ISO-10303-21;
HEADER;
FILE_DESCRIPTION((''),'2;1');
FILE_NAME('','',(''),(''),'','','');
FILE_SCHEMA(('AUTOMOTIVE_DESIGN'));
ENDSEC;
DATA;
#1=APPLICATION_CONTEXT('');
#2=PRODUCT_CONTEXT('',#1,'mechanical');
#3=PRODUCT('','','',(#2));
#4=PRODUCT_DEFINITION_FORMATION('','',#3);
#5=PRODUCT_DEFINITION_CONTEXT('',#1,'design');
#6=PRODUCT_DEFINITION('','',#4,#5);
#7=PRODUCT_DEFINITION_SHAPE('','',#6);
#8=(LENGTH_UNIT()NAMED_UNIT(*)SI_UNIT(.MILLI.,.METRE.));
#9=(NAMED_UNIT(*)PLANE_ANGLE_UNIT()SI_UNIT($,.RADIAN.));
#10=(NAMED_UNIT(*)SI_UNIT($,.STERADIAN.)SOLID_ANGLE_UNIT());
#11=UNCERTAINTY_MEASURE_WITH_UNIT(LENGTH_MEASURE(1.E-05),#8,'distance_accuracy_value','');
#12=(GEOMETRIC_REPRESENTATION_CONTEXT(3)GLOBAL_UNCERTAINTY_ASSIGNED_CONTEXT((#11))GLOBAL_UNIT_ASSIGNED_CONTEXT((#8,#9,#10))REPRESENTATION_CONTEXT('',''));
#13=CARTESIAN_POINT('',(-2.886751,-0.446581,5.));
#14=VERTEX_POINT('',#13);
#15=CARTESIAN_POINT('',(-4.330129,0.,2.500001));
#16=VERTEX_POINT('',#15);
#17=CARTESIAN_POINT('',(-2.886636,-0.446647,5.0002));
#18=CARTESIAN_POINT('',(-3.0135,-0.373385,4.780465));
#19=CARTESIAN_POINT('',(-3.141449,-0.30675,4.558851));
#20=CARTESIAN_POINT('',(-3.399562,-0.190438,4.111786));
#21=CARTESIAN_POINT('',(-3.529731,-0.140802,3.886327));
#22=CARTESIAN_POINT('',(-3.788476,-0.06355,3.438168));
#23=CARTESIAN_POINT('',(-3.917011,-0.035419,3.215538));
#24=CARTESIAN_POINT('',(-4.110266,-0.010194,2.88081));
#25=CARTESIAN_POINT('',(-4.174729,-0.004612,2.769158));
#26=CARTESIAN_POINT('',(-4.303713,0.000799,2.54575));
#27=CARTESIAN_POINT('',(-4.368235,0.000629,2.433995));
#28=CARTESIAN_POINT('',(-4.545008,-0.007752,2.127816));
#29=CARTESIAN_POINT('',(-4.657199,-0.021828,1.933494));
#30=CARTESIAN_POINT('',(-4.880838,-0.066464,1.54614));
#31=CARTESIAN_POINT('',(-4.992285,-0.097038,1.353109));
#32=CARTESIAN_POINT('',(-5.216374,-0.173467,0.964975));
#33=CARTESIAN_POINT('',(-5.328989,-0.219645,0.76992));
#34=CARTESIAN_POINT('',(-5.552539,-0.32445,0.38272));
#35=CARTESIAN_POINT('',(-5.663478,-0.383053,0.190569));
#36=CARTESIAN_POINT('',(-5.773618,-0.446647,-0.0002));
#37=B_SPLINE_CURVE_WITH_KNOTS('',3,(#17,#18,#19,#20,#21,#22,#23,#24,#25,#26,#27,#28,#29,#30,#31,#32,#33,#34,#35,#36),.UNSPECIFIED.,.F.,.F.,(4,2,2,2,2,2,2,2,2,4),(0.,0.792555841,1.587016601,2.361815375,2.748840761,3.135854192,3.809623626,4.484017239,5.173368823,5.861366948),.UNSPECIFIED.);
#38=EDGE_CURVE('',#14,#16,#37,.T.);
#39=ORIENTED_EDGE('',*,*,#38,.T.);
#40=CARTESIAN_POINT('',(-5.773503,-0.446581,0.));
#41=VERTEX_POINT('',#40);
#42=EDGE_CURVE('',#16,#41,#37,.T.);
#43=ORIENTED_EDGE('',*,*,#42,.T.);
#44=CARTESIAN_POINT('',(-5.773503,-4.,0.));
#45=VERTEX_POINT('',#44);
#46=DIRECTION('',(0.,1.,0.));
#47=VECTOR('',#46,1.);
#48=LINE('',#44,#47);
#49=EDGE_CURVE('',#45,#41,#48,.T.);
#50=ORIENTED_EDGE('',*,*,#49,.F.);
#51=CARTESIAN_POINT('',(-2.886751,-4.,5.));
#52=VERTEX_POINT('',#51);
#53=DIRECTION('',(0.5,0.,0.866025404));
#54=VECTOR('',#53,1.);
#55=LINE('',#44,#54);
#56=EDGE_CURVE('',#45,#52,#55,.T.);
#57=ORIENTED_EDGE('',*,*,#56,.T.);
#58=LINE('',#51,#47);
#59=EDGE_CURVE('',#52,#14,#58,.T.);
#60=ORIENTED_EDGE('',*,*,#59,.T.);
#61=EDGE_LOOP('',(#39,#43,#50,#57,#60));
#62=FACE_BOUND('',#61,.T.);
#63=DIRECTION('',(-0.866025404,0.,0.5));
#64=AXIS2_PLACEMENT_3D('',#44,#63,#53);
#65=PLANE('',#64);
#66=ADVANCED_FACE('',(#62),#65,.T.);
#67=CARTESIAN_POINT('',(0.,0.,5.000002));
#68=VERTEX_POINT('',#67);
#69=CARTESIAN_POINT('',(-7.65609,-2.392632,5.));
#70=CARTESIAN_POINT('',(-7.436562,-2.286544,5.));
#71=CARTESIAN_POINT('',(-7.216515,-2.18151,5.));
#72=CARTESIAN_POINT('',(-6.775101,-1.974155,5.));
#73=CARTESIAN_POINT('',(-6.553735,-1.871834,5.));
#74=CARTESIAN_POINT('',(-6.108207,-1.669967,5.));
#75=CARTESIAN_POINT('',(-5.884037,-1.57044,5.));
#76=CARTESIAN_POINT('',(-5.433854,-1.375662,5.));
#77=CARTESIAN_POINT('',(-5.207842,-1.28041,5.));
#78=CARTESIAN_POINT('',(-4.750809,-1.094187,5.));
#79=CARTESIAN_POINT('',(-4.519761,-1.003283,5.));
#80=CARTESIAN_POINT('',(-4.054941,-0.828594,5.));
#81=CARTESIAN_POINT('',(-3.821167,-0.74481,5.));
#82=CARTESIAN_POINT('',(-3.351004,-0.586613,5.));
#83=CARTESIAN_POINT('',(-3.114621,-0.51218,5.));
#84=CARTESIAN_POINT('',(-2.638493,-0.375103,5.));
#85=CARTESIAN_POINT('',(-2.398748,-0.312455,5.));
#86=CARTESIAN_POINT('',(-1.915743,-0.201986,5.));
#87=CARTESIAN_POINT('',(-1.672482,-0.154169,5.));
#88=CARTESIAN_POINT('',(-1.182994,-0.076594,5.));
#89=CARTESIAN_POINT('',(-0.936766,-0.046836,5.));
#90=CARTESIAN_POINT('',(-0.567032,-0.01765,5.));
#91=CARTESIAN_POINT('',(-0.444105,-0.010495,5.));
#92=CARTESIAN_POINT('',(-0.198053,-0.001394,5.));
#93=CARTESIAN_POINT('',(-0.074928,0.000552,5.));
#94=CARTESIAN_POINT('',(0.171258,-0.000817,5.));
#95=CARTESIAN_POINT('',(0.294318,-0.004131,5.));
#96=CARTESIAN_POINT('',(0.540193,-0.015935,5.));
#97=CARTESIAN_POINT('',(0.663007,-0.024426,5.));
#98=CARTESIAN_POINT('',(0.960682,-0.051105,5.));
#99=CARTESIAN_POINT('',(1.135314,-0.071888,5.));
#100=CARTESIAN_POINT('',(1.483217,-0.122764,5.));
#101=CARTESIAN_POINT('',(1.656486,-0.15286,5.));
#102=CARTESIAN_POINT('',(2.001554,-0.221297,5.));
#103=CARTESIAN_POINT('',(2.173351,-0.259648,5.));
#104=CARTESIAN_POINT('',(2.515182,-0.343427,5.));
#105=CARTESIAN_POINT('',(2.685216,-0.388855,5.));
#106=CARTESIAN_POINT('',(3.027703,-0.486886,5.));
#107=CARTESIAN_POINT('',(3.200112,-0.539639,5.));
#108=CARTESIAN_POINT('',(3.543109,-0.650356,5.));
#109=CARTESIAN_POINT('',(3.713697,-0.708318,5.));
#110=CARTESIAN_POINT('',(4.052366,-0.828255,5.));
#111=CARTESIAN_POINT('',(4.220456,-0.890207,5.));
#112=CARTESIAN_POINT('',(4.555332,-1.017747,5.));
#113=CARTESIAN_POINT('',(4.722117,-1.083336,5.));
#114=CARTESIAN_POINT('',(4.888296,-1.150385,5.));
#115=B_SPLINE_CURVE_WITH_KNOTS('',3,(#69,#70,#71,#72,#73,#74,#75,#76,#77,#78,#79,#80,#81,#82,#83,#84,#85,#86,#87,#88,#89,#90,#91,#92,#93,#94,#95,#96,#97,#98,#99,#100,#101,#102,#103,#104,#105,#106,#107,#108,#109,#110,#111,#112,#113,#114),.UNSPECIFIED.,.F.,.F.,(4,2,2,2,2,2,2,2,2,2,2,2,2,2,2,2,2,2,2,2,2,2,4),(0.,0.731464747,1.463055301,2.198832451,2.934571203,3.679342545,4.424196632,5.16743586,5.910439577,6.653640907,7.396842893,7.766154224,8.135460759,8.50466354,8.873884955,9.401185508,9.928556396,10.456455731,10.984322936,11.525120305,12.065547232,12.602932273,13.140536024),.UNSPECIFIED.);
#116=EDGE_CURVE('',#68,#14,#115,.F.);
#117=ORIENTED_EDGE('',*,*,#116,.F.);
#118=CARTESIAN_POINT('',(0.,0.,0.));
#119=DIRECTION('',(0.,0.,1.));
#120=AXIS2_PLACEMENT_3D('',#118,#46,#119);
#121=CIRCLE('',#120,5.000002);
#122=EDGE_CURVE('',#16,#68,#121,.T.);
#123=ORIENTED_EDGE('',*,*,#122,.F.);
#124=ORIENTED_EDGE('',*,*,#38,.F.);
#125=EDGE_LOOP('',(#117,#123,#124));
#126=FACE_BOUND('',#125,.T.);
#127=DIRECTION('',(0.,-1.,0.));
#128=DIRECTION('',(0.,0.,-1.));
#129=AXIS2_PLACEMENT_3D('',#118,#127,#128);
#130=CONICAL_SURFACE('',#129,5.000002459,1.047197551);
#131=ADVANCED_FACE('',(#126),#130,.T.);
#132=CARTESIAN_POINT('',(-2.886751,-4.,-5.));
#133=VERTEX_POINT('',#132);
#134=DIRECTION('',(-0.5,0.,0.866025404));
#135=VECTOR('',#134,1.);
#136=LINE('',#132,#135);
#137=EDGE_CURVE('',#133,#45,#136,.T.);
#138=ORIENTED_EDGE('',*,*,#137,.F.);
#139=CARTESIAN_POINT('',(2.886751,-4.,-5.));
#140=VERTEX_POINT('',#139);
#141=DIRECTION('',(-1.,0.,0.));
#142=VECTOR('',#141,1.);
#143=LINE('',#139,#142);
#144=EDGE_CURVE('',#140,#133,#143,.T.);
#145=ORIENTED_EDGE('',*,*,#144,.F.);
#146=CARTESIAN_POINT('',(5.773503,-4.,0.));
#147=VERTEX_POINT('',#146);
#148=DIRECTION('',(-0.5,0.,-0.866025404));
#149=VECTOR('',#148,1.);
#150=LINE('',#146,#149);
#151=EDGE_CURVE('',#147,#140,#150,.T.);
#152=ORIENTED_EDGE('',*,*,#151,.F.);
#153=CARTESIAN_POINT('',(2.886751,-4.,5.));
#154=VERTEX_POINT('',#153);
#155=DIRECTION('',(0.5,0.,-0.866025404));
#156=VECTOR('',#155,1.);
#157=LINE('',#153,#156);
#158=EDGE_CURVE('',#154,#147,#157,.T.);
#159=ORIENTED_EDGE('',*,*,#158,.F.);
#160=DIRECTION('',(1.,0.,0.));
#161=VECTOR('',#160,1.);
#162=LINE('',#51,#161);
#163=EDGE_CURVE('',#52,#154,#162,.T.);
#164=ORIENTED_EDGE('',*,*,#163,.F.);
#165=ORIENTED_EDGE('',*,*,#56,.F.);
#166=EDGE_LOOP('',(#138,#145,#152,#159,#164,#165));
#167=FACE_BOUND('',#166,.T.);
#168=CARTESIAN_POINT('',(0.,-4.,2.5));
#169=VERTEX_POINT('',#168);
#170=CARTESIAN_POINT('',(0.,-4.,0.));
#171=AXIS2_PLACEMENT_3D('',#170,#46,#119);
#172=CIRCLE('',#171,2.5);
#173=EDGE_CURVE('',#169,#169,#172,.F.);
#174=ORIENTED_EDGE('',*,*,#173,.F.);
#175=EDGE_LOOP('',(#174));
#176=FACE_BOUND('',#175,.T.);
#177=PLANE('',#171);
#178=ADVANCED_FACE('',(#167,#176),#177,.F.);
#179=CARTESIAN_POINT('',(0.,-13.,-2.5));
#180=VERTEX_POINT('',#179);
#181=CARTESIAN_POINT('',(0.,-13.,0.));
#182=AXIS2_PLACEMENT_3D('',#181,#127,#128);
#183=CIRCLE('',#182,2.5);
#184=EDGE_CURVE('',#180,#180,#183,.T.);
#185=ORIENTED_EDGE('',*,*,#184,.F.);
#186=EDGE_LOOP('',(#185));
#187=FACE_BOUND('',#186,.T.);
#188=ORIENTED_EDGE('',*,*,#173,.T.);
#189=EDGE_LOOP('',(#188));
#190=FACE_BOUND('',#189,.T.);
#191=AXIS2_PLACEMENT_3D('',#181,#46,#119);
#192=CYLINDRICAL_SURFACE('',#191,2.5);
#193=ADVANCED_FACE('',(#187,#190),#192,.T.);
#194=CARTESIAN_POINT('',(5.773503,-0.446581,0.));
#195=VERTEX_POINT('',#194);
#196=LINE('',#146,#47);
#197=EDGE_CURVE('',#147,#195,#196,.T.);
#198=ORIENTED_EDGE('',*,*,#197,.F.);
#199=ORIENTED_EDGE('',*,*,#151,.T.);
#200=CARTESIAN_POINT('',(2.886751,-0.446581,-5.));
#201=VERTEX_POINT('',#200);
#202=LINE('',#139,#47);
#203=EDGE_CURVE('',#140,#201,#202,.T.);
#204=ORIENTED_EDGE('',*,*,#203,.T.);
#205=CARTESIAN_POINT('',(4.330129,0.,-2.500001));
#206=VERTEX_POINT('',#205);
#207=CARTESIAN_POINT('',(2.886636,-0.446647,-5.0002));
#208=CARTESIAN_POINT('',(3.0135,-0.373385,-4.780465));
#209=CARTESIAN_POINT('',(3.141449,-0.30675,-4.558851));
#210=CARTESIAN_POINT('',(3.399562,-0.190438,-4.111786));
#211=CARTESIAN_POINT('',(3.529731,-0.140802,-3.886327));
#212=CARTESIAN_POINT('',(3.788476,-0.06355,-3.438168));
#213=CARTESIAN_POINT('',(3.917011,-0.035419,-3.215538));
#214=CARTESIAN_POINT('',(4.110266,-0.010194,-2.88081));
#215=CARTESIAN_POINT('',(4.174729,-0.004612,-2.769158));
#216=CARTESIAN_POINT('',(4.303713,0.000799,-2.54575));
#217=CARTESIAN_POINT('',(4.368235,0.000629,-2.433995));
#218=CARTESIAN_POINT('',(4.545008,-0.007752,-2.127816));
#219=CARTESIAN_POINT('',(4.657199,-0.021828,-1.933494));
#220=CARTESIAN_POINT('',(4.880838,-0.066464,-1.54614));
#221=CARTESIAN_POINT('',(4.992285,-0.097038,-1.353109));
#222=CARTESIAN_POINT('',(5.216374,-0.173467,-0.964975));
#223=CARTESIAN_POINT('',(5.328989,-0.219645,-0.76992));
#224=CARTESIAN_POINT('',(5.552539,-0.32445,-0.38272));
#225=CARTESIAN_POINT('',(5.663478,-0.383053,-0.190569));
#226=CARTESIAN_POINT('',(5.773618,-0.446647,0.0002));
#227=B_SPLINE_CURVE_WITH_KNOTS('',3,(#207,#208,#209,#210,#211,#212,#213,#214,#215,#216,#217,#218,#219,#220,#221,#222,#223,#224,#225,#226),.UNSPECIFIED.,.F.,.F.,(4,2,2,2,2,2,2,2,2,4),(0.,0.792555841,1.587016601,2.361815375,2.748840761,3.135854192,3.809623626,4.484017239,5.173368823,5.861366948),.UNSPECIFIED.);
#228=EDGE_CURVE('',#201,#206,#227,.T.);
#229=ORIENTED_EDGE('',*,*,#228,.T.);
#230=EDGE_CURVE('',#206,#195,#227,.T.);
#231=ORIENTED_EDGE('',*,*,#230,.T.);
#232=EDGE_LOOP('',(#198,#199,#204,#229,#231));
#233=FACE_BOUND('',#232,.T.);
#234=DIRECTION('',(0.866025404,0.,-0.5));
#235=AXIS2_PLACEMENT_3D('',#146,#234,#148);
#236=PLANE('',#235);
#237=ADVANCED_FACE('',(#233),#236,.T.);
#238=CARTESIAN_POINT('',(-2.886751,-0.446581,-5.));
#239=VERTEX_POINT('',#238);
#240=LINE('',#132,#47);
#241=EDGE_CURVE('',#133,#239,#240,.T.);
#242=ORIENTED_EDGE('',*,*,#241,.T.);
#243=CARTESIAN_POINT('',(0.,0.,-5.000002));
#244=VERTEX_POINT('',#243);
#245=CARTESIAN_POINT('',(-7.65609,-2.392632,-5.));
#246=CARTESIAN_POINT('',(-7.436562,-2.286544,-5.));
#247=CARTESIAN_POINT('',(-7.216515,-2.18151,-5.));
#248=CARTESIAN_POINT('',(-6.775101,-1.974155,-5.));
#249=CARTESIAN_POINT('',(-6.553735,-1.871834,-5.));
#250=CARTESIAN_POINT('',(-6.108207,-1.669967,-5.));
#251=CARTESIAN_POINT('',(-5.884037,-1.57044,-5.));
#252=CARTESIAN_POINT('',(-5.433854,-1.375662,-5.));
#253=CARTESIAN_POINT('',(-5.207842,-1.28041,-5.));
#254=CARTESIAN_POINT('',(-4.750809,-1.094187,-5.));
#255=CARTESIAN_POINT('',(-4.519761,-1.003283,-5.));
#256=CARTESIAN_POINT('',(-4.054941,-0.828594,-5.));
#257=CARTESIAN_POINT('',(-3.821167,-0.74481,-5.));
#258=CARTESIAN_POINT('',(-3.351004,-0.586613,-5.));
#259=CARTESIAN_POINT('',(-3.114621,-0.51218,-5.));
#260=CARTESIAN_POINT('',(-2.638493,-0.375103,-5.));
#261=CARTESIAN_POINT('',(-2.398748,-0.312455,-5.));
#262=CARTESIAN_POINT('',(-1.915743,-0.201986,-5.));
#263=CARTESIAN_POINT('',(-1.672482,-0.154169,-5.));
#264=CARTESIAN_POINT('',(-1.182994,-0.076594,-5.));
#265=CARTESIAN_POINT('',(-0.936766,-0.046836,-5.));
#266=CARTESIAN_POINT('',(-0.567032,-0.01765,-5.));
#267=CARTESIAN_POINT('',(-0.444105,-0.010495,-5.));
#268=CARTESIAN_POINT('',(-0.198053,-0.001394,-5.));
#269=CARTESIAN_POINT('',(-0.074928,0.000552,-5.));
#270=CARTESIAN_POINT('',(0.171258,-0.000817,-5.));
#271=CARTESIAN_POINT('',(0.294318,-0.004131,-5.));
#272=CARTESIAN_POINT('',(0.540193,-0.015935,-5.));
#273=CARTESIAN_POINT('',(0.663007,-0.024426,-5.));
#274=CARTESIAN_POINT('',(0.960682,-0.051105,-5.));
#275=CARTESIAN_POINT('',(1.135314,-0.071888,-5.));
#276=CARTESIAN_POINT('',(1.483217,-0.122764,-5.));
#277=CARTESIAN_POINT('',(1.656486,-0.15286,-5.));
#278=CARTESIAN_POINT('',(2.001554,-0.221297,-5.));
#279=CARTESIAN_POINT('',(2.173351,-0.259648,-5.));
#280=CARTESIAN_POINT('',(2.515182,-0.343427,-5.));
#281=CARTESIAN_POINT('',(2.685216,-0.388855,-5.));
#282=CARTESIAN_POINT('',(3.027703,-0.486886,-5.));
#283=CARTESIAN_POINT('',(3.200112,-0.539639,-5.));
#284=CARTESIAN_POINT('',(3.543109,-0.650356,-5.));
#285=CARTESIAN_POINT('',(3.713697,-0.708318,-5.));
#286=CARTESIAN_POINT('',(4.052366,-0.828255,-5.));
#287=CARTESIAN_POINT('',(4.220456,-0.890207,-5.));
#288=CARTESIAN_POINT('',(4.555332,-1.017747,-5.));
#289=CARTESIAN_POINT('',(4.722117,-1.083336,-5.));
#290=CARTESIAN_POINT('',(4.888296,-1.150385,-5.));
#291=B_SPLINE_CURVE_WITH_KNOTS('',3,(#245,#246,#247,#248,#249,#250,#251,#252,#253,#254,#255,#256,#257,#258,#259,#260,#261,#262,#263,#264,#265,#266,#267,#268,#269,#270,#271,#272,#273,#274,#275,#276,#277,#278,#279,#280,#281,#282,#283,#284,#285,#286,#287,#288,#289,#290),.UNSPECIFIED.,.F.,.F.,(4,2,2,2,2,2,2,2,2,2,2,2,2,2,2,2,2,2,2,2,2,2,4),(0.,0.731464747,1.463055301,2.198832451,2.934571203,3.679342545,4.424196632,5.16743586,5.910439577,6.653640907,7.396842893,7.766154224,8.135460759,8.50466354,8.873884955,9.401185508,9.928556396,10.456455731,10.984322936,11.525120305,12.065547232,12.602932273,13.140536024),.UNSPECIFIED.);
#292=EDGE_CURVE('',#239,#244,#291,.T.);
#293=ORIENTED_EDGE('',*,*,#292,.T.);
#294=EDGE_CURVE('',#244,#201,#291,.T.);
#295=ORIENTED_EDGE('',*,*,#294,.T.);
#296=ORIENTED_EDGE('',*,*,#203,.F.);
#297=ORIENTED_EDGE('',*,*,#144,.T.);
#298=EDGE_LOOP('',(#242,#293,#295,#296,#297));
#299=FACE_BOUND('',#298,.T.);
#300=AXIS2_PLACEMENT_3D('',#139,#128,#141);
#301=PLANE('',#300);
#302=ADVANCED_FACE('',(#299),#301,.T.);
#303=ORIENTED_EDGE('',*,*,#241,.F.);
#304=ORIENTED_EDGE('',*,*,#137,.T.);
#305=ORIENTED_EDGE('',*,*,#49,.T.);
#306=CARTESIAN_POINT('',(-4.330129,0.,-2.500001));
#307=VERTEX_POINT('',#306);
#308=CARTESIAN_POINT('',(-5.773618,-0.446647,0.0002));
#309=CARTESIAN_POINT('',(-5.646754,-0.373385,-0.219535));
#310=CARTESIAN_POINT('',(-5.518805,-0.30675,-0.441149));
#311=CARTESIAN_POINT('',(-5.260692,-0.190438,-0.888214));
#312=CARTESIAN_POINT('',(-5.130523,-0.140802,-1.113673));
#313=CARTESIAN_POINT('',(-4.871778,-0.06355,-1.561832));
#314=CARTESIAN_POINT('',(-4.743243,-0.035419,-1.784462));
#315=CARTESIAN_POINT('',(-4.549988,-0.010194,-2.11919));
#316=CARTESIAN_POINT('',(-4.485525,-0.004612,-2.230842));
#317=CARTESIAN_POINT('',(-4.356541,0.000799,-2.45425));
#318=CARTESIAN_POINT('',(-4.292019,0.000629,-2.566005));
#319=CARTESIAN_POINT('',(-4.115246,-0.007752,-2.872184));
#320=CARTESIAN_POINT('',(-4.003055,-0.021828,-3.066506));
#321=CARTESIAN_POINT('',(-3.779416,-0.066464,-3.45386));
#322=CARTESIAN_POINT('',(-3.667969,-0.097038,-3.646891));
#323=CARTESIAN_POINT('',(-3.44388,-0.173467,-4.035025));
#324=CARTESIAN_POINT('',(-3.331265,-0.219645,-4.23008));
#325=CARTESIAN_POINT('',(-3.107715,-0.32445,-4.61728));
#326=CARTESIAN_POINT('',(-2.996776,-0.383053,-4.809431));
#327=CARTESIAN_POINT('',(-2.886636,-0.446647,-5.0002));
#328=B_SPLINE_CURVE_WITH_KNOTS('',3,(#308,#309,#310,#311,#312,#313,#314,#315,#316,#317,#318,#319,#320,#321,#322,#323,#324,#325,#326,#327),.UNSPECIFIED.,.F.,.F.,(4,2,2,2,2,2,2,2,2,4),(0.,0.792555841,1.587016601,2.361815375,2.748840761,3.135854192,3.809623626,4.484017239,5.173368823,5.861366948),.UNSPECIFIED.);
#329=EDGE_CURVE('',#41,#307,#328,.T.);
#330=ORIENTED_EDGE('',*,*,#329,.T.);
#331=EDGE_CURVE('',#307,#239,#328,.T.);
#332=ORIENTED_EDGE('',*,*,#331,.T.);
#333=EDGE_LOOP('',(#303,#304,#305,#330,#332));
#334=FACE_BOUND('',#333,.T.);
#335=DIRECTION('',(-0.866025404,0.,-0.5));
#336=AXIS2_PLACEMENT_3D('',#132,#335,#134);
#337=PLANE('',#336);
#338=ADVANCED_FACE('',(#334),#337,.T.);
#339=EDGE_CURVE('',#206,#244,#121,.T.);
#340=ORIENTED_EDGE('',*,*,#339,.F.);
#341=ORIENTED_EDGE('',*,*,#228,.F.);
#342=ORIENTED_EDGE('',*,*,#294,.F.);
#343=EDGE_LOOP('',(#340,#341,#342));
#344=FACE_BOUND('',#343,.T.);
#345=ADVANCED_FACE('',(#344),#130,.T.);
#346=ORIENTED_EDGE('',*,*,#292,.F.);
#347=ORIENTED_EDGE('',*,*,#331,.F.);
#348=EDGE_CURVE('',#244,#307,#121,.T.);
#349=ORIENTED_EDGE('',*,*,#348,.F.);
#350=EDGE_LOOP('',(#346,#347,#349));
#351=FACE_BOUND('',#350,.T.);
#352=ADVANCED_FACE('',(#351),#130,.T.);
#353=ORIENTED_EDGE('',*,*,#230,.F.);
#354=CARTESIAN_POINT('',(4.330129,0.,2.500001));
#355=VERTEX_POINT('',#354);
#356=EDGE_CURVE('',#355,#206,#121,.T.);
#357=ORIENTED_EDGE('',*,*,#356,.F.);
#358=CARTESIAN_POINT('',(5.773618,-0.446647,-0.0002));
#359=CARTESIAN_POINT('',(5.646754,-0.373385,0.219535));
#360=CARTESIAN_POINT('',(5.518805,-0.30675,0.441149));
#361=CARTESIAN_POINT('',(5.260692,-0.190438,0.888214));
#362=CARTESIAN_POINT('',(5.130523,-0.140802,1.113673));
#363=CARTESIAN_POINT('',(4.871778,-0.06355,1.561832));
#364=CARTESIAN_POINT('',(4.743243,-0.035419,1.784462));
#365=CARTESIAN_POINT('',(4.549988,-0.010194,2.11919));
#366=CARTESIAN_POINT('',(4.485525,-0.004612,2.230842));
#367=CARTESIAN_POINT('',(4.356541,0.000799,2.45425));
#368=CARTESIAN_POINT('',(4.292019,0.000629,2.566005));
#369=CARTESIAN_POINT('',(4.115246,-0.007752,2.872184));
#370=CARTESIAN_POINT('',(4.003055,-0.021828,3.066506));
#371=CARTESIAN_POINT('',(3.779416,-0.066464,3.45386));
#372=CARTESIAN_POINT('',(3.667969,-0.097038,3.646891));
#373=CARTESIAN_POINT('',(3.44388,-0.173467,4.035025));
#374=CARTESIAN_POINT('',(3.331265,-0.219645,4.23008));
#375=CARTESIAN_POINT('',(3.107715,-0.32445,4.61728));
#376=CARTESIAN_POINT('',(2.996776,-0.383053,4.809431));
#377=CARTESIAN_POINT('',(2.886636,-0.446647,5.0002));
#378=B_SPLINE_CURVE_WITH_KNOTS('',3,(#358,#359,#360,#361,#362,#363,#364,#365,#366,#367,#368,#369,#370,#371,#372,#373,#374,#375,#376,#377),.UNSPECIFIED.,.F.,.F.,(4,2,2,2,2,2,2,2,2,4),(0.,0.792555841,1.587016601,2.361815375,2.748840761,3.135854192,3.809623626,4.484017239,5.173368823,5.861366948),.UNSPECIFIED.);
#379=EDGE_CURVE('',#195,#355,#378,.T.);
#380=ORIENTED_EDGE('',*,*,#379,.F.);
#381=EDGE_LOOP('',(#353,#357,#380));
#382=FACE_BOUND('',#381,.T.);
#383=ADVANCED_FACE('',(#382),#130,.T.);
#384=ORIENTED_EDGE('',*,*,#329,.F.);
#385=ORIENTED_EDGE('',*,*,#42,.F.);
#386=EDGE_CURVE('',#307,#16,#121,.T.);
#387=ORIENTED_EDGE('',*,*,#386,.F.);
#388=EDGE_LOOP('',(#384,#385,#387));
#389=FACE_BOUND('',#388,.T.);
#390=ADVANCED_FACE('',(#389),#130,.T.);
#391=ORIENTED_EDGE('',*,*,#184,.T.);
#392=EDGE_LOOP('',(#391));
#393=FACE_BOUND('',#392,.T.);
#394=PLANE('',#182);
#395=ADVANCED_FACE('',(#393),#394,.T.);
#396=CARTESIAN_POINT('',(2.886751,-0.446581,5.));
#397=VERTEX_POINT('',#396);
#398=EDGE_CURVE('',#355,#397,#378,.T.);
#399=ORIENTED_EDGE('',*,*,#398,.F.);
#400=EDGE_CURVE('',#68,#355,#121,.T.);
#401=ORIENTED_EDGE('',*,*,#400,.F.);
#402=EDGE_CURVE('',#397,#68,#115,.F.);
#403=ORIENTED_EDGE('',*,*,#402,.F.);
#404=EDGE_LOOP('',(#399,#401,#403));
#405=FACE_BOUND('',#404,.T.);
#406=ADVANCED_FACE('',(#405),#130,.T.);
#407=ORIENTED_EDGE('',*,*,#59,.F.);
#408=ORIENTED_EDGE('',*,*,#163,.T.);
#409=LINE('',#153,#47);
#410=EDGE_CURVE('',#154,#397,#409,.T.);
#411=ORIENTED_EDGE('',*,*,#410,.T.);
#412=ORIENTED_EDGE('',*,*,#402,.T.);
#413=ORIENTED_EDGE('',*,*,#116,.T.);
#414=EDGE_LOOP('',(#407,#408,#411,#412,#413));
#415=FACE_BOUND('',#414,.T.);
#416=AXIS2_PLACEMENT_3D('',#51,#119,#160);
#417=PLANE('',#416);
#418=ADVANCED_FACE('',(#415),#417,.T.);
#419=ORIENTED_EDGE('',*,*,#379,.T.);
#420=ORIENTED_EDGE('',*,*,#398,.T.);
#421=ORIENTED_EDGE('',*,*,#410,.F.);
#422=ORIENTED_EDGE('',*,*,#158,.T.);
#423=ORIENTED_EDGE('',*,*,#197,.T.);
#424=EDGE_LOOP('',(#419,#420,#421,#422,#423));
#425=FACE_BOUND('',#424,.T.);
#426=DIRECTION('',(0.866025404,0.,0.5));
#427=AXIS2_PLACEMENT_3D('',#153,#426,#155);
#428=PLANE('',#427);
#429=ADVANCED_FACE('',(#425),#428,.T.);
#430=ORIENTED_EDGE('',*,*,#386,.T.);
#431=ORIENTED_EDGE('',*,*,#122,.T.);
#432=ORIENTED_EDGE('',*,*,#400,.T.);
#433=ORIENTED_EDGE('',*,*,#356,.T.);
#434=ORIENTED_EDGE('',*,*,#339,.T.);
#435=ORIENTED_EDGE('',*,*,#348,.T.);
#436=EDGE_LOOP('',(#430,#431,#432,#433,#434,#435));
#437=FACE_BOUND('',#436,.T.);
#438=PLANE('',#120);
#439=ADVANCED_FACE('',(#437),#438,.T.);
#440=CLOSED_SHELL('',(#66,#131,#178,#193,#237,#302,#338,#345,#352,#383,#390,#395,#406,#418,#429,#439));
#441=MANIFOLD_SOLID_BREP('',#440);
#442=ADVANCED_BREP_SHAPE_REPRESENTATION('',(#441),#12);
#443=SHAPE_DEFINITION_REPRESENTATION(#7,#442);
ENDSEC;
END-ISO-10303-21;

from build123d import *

# Parameters (mm, degrees)
BOSS_EXTRUDE1_DEPTH = 4
SKETCH4_R           = 2.5
BOSS_EXTRUDE2_DEPTH = 9


with BuildPart() as part:
    # Sketch1 → Boss-Extrude1 (new body)
    with BuildSketch(Plane(origin=(0, 0, 0), x_dir=(1, 0, 0), z_dir=(0, 1, 0))):
        Polygon((5.773502692, 0), (2.886751346, 5), (-2.886751346, 5), (-5.773502692, 0), (-2.886751346, -5), (2.886751346, -5), align=None)
    extrude(amount=-BOSS_EXTRUDE1_DEPTH)

    # Sketch3 → Cut-Revolve1 (revolve, cut)
    with BuildSketch(Plane.XY):
        Polygon((5.000002459, 0), (5.773502692, 0), (5.773502692, -0.446580568), align=None)
    revolve(axis=Axis((0, 1.337001122, 0), (0, -1, 0)), mode=Mode.SUBTRACT)

    # Sketch4 → Boss-Extrude2 (add)
    with BuildSketch(Plane.XZ.offset(4)):
        with Locations(Location((0, 0, 0), (0, 0, 90))):
            Circle(SKETCH4_R)
    extrude(amount=BOSS_EXTRUDE2_DEPTH)


solid = part.part
